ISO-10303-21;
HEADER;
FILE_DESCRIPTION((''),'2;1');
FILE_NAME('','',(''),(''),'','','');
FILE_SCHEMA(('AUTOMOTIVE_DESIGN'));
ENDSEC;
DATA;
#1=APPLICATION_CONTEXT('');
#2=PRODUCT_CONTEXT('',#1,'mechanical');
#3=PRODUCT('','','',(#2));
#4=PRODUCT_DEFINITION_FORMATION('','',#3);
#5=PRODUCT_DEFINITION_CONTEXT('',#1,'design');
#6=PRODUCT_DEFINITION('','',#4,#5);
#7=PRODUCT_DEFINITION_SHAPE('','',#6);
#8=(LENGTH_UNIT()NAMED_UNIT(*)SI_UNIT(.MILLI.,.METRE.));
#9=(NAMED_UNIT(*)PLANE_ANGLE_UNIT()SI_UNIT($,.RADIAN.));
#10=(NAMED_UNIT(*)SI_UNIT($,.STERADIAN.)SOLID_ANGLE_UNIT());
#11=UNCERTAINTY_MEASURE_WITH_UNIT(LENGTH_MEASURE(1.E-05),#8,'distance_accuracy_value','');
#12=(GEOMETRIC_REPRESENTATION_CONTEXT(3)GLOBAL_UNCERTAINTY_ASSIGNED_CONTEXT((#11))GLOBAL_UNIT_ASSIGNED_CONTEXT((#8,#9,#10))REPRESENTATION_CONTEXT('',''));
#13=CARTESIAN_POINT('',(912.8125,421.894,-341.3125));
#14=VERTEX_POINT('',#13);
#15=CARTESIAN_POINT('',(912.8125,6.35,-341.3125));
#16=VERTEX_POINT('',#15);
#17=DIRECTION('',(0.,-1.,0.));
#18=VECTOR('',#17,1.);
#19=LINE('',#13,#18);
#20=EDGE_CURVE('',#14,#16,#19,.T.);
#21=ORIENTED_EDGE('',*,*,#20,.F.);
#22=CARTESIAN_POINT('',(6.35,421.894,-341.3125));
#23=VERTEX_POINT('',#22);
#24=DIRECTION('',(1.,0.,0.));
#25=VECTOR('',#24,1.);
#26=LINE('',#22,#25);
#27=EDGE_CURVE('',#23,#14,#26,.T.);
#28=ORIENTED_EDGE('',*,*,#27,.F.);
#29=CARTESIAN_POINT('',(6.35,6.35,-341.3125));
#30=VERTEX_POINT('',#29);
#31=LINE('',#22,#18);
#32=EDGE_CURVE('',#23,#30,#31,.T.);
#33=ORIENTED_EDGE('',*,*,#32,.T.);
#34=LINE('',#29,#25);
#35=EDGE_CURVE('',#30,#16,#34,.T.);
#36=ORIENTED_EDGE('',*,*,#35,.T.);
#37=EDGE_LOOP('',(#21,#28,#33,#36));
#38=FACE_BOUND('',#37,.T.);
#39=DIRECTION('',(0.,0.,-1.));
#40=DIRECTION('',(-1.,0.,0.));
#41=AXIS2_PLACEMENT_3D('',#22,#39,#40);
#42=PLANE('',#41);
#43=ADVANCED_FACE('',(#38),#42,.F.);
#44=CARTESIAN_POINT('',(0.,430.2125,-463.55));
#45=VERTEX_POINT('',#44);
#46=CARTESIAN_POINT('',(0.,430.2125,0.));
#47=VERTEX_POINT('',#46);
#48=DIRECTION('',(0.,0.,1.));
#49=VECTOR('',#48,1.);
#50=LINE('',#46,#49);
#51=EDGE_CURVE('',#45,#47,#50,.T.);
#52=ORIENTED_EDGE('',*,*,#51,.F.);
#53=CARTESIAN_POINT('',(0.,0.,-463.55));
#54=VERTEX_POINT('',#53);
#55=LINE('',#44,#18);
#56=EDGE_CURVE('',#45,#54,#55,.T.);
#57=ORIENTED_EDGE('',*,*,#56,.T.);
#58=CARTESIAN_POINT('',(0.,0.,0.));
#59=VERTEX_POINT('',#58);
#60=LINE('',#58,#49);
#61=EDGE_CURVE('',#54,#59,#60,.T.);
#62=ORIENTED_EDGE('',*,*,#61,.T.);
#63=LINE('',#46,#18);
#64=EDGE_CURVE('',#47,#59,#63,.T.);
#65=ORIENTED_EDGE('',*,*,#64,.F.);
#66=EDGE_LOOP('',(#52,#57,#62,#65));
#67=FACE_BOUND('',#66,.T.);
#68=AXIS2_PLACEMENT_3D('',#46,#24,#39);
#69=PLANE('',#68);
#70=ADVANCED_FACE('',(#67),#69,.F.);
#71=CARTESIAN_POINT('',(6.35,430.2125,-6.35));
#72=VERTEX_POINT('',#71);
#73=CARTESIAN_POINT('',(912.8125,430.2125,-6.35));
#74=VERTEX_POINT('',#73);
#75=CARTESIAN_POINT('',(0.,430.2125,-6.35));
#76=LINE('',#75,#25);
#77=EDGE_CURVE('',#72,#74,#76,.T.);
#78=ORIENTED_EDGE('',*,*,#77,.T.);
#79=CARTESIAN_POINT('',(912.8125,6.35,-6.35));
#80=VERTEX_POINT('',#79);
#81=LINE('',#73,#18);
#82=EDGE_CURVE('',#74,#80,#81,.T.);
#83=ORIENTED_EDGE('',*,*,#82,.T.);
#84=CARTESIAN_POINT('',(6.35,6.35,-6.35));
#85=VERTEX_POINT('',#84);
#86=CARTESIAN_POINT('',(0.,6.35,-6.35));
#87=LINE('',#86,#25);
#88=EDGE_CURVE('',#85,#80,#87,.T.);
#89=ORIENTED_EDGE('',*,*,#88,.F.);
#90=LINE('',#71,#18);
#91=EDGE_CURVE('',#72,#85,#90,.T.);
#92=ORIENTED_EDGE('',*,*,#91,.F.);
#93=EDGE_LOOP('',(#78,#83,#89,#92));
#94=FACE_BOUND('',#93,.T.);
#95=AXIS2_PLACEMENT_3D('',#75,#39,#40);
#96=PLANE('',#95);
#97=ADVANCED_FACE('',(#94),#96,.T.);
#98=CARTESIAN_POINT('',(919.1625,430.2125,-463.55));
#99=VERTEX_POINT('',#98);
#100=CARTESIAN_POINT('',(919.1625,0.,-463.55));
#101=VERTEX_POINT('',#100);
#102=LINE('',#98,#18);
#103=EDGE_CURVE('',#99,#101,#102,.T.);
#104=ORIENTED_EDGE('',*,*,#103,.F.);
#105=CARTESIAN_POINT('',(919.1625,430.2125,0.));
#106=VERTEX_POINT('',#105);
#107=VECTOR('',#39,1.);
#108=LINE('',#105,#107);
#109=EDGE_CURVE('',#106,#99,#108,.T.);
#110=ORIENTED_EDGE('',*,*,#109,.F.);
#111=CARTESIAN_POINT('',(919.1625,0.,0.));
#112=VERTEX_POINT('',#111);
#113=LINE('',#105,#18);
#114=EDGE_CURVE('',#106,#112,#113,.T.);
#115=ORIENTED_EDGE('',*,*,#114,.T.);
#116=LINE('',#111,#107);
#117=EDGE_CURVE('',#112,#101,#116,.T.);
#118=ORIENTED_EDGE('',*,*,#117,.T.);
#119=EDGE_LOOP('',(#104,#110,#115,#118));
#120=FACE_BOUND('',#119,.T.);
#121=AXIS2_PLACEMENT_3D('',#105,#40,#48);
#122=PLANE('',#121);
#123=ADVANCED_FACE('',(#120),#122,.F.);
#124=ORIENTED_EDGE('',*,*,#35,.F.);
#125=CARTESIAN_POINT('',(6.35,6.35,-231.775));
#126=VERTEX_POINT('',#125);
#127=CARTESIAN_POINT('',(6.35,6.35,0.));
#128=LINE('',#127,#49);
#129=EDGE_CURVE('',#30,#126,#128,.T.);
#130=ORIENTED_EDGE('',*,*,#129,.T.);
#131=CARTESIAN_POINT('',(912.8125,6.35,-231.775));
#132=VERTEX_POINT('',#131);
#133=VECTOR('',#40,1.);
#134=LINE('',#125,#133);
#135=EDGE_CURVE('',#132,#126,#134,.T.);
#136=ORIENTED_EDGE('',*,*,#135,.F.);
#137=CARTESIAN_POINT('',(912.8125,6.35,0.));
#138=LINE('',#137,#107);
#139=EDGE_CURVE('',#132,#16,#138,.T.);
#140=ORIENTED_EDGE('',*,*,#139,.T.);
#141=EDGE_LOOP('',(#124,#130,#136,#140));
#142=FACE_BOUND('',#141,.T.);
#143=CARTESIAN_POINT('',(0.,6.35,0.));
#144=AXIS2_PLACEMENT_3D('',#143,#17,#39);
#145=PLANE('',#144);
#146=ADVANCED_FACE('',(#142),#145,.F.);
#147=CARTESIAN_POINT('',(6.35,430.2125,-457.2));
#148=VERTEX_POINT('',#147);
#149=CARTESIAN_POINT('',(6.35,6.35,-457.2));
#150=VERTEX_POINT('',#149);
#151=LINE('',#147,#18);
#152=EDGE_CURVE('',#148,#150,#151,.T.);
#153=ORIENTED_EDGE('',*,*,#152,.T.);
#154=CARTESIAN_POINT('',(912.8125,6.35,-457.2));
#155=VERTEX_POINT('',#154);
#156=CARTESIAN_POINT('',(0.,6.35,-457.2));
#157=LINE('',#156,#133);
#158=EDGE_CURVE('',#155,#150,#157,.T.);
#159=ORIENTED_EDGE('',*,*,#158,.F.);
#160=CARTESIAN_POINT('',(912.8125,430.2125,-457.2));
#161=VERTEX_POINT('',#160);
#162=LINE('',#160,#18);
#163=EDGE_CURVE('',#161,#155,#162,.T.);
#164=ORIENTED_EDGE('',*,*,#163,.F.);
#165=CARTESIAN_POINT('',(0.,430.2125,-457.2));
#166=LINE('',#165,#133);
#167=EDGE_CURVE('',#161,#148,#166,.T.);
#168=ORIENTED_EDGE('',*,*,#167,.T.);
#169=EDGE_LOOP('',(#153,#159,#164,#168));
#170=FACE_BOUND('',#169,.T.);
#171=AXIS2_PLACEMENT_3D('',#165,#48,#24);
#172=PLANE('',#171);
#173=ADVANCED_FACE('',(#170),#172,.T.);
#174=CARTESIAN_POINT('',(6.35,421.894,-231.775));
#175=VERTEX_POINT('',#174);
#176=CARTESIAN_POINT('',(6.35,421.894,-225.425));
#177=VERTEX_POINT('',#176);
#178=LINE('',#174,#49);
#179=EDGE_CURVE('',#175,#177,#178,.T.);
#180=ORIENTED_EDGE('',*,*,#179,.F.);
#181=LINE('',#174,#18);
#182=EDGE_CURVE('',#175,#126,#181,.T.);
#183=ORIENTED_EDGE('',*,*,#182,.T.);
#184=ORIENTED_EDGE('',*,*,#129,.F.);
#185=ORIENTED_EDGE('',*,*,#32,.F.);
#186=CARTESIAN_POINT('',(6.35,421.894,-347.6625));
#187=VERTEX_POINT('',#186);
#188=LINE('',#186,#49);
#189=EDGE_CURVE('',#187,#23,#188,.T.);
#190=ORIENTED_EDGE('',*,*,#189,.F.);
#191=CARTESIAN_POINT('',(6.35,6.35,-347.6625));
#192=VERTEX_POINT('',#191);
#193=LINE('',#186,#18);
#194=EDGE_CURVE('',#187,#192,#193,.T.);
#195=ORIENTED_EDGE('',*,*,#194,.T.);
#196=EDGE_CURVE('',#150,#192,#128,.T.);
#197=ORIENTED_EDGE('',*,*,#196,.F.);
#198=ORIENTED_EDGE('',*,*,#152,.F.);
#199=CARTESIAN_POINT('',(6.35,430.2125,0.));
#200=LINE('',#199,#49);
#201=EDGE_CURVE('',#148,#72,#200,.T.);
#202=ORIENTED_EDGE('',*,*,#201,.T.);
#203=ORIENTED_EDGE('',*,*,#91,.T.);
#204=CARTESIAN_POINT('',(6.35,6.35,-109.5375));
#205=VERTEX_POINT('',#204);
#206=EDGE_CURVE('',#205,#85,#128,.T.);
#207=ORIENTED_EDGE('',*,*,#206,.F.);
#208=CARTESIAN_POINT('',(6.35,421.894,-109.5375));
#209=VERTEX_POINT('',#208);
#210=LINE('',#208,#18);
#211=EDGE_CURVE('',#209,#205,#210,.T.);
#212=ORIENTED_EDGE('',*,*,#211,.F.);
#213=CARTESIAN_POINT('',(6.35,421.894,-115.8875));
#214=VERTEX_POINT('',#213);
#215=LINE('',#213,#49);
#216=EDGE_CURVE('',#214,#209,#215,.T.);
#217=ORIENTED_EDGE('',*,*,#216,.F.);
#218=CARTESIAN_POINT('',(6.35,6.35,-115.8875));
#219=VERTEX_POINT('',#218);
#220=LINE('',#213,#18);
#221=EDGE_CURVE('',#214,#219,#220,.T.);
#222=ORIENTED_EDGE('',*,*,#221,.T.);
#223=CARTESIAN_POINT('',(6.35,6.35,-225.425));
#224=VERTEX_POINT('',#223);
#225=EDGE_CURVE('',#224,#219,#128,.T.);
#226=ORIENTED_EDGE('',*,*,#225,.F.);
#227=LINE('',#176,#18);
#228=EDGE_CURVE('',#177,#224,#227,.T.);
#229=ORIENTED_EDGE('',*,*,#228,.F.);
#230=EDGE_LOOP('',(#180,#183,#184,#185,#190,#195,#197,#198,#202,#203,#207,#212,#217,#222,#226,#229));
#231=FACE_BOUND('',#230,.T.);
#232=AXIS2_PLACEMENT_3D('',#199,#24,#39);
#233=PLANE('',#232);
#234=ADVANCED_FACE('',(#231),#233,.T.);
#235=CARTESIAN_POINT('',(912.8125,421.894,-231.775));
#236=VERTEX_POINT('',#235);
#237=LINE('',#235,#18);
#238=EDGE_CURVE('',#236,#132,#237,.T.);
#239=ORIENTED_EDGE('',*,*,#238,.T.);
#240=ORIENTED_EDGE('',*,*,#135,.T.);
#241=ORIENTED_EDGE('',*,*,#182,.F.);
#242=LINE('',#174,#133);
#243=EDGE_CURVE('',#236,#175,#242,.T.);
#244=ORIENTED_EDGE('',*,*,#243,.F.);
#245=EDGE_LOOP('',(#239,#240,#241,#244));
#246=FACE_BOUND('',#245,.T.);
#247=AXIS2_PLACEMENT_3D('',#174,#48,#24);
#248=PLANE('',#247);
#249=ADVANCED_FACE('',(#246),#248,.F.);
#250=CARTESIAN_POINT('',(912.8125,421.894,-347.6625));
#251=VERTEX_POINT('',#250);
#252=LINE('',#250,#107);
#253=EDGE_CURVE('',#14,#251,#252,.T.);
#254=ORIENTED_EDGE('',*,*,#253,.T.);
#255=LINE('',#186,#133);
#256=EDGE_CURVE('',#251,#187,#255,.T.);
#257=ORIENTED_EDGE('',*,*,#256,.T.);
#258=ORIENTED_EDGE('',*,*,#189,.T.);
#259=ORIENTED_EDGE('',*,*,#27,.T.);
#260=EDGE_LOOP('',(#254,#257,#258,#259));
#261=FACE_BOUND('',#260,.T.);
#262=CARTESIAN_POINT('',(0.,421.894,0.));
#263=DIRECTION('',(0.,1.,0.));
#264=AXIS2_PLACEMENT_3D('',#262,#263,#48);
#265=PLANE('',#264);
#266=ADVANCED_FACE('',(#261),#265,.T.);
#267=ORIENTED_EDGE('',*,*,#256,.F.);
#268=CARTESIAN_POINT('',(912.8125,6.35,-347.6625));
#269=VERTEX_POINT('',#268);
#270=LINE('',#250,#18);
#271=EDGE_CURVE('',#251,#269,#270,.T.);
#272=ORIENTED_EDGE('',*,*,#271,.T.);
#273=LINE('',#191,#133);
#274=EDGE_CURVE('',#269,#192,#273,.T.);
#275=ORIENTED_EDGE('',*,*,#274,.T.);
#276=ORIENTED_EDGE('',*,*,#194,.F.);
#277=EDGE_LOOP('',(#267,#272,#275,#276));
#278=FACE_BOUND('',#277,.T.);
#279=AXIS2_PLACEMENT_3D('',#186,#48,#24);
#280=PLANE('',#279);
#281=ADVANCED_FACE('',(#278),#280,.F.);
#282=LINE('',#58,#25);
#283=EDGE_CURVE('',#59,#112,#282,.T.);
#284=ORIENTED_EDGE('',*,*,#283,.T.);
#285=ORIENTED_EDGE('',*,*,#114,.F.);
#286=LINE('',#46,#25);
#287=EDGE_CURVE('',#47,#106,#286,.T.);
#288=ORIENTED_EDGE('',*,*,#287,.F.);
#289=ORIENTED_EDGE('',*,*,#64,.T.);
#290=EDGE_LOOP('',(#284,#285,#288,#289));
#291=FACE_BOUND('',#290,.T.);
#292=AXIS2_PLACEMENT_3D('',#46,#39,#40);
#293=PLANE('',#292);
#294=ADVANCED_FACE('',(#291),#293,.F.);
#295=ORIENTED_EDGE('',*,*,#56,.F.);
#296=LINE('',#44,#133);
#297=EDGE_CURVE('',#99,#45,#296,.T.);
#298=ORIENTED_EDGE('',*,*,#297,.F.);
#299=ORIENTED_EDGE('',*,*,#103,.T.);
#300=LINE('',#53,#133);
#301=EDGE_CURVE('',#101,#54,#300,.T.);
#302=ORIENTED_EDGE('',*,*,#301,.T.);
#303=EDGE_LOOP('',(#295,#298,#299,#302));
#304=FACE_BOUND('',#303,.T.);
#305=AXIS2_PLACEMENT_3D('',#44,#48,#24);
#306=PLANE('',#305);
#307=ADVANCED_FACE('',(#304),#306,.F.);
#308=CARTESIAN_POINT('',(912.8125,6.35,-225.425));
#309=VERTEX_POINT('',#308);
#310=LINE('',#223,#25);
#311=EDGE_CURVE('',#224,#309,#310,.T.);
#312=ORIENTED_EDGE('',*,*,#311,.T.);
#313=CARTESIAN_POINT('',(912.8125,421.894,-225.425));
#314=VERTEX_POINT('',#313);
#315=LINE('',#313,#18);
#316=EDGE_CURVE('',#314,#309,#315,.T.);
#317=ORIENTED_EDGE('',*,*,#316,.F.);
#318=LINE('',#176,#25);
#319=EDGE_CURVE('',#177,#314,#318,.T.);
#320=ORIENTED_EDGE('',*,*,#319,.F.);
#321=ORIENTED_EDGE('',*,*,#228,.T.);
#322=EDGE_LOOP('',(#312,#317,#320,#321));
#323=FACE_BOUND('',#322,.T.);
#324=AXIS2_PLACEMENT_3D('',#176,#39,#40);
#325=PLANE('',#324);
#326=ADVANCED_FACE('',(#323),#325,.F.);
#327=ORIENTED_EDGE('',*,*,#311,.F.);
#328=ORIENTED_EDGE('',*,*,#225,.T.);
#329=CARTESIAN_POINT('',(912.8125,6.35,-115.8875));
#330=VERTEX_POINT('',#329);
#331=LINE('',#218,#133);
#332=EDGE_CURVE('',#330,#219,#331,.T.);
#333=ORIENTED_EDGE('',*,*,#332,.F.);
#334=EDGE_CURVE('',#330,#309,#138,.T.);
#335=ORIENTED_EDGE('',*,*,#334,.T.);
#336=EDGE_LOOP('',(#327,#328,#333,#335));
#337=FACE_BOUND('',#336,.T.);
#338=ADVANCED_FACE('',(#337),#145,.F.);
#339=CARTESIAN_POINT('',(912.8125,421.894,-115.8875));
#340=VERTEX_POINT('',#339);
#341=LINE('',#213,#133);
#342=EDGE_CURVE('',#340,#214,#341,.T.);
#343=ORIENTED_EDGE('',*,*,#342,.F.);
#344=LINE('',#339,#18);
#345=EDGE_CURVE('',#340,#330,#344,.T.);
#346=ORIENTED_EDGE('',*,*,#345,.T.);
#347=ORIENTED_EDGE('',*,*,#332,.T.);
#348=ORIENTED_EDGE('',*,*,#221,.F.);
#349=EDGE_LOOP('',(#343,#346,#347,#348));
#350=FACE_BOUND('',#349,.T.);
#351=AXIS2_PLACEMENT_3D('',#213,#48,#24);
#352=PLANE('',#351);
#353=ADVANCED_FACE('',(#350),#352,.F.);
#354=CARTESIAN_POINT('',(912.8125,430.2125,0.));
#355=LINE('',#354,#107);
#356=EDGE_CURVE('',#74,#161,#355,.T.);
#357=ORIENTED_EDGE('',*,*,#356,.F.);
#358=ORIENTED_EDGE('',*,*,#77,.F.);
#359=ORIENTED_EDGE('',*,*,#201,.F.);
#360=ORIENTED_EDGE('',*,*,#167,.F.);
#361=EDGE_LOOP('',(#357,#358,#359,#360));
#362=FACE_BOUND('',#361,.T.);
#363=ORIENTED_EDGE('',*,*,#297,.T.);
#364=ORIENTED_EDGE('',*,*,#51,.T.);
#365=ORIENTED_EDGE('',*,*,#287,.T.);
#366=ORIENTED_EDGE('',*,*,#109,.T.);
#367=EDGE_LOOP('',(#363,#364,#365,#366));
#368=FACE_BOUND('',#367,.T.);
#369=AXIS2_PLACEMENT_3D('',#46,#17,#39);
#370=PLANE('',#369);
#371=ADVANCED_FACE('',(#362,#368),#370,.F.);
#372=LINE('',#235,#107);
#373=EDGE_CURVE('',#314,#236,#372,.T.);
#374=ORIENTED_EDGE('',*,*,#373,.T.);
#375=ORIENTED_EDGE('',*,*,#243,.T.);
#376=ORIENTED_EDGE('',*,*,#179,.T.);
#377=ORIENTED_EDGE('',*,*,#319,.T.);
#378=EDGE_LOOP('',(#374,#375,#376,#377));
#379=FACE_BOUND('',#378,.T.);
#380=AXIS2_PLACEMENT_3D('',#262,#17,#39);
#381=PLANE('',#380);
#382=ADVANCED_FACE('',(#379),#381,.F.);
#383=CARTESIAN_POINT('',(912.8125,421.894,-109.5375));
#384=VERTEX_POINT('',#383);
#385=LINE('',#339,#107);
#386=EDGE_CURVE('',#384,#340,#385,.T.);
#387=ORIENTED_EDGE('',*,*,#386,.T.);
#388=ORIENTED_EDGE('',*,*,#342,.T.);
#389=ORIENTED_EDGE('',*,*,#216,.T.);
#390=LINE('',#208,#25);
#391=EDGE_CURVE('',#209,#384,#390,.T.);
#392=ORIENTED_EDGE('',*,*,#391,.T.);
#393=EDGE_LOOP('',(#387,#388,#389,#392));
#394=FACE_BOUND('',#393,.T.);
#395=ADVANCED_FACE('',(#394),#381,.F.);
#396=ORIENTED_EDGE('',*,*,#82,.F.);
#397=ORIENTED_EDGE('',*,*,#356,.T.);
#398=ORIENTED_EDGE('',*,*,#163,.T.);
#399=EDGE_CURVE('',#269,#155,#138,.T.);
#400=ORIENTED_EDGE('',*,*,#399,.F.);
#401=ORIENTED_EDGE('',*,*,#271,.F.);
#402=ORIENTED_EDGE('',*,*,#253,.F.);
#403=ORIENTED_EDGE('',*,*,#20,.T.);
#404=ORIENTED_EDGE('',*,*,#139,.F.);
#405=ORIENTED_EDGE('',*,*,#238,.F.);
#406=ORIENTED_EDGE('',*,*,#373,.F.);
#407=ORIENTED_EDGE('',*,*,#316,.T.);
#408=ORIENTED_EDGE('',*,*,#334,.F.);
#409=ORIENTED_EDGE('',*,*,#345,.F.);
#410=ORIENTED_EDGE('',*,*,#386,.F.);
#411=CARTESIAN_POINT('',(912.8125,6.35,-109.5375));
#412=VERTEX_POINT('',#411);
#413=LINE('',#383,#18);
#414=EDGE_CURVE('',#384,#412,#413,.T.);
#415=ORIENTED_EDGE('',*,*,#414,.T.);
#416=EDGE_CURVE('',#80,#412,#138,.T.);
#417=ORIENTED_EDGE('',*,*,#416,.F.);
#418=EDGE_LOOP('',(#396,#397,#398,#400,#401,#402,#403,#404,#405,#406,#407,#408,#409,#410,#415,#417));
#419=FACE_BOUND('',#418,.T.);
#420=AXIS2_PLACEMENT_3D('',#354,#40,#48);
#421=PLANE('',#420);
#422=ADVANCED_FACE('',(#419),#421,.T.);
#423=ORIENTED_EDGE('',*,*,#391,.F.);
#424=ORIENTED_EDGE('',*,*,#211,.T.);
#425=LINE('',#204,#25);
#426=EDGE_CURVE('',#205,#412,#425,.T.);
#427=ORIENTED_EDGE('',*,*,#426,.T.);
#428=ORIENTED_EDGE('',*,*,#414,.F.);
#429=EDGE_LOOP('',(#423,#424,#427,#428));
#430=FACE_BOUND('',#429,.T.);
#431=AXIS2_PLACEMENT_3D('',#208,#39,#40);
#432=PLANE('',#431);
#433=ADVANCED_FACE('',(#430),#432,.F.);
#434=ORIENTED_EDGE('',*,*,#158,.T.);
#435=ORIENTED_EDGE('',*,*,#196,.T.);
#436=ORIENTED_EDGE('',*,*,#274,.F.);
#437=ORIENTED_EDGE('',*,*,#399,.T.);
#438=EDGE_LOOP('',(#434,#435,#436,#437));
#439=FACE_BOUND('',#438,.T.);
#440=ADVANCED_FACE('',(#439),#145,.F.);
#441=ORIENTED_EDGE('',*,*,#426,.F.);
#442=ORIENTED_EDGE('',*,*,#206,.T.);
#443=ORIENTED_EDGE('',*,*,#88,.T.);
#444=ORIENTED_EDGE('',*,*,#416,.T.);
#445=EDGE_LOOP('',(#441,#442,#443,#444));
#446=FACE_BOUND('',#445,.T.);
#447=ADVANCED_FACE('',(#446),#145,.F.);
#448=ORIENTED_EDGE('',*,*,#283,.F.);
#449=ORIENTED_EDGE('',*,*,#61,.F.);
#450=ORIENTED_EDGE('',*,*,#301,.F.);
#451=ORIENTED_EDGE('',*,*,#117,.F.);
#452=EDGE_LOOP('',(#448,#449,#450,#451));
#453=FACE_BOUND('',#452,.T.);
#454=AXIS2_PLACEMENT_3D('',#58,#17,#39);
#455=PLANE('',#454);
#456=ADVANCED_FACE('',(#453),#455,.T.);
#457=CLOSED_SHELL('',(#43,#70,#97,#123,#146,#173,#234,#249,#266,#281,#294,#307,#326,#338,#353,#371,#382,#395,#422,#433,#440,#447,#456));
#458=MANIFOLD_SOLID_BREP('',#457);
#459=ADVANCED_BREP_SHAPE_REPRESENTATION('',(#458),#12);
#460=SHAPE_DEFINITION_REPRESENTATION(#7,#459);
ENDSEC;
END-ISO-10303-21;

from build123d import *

# Parameters (mm, degrees)
SKETCH1_W                       = 919.1625
SKETCH1_H                       = 463.55
BOSS_EXTRUDE1_DEPTH             = 430.2125
SHELL1_T                        = -6.35
BOSS_EXTRUDE2_REACH             = 393.414
SKETCH2_W                       = 906.4625
SKETCH2_H                       = 6.35
BOSS_EXTRUDE2_DIRECTION_2_DEPTH = 30.48


with BuildPart() as part:
    # Sketch1 → Boss-Extrude1 (new body)
    with BuildSketch(Plane(origin=(0, 0, 0), x_dir=(1, 0, 0), z_dir=(0, 1, 0))):
        with Locations((459.58125, 231.775)):
            Rectangle(SKETCH1_W, SKETCH1_H)
    extrude(amount=BOSS_EXTRUDE1_DEPTH)

    # Shell1
    shell1_openings = [part.faces().sort_by_distance(p)[0] for p in [
        (459.58125, 430.2125, -231.775),
    ]]
    offset(amount=SHELL1_T, openings=shell1_openings, kind=Kind.INTERSECTION)

    # Sketch2 → Boss-Extrude2 (add, up to next)
    with BuildSketch(Plane(origin=(0, 391.414, 0), x_dir=(1, 0, 0), z_dir=(0, 1, 0)), mode=Mode.PRIVATE) as boss_extrude2_sk1:
        with Locations((459.58125, 344.4875)):
            Rectangle(SKETCH2_W, SKETCH2_H)
    boss_extrude2_tool1 = extrude(boss_extrude2_sk1.sketch, amount=-BOSS_EXTRUDE2_REACH, mode=Mode.PRIVATE) - part.part
    add(boss_extrude2_tool1.solids().sort_by_distance((459.58125, 391.414, -344.4875))[0])
    # Sketch2 → Boss-Extrude2 (add, up to next)
    with BuildSketch(Plane(origin=(0, 391.414, 0), x_dir=(1, 0, 0), z_dir=(0, 1, 0)), mode=Mode.PRIVATE) as boss_extrude2_sk2:
        with Locations((459.58125, 228.6)):
            Rectangle(SKETCH2_W, SKETCH2_H)
    boss_extrude2_tool2 = extrude(boss_extrude2_sk2.sketch, amount=-BOSS_EXTRUDE2_REACH, mode=Mode.PRIVATE) - part.part
    add(boss_extrude2_tool2.solids().sort_by_distance((459.58125, 391.414, -228.6))[0])
    # Sketch2 → Boss-Extrude2 (add, up to next)
    with BuildSketch(Plane(origin=(0, 391.414, 0), x_dir=(1, 0, 0), z_dir=(0, 1, 0)), mode=Mode.PRIVATE) as boss_extrude2_sk3:
        with Locations((459.58125, 112.7125)):
            Rectangle(SKETCH2_W, SKETCH2_H)
    boss_extrude2_tool3 = extrude(boss_extrude2_sk3.sketch, amount=-BOSS_EXTRUDE2_REACH, mode=Mode.PRIVATE) - part.part
    add(boss_extrude2_tool3.solids().sort_by_distance((459.58125, 391.414, -112.7125))[0])

    # Sketch2 → Boss-Extrude2 direction 2 (add)
    with BuildSketch(Plane(origin=(0, 391.414, 0), x_dir=(1, 0, 0), z_dir=(0, 1, 0))):
        with Locations((459.58125, 344.4875)):
            Rectangle(SKETCH2_W, SKETCH2_H)
        with Locations((459.58125, 228.6)):
            Rectangle(SKETCH2_W, SKETCH2_H)
        with Locations((459.58125, 112.7125)):
            Rectangle(SKETCH2_W, SKETCH2_H)
    extrude(amount=BOSS_EXTRUDE2_DIRECTION_2_DEPTH)


solid = part.part
